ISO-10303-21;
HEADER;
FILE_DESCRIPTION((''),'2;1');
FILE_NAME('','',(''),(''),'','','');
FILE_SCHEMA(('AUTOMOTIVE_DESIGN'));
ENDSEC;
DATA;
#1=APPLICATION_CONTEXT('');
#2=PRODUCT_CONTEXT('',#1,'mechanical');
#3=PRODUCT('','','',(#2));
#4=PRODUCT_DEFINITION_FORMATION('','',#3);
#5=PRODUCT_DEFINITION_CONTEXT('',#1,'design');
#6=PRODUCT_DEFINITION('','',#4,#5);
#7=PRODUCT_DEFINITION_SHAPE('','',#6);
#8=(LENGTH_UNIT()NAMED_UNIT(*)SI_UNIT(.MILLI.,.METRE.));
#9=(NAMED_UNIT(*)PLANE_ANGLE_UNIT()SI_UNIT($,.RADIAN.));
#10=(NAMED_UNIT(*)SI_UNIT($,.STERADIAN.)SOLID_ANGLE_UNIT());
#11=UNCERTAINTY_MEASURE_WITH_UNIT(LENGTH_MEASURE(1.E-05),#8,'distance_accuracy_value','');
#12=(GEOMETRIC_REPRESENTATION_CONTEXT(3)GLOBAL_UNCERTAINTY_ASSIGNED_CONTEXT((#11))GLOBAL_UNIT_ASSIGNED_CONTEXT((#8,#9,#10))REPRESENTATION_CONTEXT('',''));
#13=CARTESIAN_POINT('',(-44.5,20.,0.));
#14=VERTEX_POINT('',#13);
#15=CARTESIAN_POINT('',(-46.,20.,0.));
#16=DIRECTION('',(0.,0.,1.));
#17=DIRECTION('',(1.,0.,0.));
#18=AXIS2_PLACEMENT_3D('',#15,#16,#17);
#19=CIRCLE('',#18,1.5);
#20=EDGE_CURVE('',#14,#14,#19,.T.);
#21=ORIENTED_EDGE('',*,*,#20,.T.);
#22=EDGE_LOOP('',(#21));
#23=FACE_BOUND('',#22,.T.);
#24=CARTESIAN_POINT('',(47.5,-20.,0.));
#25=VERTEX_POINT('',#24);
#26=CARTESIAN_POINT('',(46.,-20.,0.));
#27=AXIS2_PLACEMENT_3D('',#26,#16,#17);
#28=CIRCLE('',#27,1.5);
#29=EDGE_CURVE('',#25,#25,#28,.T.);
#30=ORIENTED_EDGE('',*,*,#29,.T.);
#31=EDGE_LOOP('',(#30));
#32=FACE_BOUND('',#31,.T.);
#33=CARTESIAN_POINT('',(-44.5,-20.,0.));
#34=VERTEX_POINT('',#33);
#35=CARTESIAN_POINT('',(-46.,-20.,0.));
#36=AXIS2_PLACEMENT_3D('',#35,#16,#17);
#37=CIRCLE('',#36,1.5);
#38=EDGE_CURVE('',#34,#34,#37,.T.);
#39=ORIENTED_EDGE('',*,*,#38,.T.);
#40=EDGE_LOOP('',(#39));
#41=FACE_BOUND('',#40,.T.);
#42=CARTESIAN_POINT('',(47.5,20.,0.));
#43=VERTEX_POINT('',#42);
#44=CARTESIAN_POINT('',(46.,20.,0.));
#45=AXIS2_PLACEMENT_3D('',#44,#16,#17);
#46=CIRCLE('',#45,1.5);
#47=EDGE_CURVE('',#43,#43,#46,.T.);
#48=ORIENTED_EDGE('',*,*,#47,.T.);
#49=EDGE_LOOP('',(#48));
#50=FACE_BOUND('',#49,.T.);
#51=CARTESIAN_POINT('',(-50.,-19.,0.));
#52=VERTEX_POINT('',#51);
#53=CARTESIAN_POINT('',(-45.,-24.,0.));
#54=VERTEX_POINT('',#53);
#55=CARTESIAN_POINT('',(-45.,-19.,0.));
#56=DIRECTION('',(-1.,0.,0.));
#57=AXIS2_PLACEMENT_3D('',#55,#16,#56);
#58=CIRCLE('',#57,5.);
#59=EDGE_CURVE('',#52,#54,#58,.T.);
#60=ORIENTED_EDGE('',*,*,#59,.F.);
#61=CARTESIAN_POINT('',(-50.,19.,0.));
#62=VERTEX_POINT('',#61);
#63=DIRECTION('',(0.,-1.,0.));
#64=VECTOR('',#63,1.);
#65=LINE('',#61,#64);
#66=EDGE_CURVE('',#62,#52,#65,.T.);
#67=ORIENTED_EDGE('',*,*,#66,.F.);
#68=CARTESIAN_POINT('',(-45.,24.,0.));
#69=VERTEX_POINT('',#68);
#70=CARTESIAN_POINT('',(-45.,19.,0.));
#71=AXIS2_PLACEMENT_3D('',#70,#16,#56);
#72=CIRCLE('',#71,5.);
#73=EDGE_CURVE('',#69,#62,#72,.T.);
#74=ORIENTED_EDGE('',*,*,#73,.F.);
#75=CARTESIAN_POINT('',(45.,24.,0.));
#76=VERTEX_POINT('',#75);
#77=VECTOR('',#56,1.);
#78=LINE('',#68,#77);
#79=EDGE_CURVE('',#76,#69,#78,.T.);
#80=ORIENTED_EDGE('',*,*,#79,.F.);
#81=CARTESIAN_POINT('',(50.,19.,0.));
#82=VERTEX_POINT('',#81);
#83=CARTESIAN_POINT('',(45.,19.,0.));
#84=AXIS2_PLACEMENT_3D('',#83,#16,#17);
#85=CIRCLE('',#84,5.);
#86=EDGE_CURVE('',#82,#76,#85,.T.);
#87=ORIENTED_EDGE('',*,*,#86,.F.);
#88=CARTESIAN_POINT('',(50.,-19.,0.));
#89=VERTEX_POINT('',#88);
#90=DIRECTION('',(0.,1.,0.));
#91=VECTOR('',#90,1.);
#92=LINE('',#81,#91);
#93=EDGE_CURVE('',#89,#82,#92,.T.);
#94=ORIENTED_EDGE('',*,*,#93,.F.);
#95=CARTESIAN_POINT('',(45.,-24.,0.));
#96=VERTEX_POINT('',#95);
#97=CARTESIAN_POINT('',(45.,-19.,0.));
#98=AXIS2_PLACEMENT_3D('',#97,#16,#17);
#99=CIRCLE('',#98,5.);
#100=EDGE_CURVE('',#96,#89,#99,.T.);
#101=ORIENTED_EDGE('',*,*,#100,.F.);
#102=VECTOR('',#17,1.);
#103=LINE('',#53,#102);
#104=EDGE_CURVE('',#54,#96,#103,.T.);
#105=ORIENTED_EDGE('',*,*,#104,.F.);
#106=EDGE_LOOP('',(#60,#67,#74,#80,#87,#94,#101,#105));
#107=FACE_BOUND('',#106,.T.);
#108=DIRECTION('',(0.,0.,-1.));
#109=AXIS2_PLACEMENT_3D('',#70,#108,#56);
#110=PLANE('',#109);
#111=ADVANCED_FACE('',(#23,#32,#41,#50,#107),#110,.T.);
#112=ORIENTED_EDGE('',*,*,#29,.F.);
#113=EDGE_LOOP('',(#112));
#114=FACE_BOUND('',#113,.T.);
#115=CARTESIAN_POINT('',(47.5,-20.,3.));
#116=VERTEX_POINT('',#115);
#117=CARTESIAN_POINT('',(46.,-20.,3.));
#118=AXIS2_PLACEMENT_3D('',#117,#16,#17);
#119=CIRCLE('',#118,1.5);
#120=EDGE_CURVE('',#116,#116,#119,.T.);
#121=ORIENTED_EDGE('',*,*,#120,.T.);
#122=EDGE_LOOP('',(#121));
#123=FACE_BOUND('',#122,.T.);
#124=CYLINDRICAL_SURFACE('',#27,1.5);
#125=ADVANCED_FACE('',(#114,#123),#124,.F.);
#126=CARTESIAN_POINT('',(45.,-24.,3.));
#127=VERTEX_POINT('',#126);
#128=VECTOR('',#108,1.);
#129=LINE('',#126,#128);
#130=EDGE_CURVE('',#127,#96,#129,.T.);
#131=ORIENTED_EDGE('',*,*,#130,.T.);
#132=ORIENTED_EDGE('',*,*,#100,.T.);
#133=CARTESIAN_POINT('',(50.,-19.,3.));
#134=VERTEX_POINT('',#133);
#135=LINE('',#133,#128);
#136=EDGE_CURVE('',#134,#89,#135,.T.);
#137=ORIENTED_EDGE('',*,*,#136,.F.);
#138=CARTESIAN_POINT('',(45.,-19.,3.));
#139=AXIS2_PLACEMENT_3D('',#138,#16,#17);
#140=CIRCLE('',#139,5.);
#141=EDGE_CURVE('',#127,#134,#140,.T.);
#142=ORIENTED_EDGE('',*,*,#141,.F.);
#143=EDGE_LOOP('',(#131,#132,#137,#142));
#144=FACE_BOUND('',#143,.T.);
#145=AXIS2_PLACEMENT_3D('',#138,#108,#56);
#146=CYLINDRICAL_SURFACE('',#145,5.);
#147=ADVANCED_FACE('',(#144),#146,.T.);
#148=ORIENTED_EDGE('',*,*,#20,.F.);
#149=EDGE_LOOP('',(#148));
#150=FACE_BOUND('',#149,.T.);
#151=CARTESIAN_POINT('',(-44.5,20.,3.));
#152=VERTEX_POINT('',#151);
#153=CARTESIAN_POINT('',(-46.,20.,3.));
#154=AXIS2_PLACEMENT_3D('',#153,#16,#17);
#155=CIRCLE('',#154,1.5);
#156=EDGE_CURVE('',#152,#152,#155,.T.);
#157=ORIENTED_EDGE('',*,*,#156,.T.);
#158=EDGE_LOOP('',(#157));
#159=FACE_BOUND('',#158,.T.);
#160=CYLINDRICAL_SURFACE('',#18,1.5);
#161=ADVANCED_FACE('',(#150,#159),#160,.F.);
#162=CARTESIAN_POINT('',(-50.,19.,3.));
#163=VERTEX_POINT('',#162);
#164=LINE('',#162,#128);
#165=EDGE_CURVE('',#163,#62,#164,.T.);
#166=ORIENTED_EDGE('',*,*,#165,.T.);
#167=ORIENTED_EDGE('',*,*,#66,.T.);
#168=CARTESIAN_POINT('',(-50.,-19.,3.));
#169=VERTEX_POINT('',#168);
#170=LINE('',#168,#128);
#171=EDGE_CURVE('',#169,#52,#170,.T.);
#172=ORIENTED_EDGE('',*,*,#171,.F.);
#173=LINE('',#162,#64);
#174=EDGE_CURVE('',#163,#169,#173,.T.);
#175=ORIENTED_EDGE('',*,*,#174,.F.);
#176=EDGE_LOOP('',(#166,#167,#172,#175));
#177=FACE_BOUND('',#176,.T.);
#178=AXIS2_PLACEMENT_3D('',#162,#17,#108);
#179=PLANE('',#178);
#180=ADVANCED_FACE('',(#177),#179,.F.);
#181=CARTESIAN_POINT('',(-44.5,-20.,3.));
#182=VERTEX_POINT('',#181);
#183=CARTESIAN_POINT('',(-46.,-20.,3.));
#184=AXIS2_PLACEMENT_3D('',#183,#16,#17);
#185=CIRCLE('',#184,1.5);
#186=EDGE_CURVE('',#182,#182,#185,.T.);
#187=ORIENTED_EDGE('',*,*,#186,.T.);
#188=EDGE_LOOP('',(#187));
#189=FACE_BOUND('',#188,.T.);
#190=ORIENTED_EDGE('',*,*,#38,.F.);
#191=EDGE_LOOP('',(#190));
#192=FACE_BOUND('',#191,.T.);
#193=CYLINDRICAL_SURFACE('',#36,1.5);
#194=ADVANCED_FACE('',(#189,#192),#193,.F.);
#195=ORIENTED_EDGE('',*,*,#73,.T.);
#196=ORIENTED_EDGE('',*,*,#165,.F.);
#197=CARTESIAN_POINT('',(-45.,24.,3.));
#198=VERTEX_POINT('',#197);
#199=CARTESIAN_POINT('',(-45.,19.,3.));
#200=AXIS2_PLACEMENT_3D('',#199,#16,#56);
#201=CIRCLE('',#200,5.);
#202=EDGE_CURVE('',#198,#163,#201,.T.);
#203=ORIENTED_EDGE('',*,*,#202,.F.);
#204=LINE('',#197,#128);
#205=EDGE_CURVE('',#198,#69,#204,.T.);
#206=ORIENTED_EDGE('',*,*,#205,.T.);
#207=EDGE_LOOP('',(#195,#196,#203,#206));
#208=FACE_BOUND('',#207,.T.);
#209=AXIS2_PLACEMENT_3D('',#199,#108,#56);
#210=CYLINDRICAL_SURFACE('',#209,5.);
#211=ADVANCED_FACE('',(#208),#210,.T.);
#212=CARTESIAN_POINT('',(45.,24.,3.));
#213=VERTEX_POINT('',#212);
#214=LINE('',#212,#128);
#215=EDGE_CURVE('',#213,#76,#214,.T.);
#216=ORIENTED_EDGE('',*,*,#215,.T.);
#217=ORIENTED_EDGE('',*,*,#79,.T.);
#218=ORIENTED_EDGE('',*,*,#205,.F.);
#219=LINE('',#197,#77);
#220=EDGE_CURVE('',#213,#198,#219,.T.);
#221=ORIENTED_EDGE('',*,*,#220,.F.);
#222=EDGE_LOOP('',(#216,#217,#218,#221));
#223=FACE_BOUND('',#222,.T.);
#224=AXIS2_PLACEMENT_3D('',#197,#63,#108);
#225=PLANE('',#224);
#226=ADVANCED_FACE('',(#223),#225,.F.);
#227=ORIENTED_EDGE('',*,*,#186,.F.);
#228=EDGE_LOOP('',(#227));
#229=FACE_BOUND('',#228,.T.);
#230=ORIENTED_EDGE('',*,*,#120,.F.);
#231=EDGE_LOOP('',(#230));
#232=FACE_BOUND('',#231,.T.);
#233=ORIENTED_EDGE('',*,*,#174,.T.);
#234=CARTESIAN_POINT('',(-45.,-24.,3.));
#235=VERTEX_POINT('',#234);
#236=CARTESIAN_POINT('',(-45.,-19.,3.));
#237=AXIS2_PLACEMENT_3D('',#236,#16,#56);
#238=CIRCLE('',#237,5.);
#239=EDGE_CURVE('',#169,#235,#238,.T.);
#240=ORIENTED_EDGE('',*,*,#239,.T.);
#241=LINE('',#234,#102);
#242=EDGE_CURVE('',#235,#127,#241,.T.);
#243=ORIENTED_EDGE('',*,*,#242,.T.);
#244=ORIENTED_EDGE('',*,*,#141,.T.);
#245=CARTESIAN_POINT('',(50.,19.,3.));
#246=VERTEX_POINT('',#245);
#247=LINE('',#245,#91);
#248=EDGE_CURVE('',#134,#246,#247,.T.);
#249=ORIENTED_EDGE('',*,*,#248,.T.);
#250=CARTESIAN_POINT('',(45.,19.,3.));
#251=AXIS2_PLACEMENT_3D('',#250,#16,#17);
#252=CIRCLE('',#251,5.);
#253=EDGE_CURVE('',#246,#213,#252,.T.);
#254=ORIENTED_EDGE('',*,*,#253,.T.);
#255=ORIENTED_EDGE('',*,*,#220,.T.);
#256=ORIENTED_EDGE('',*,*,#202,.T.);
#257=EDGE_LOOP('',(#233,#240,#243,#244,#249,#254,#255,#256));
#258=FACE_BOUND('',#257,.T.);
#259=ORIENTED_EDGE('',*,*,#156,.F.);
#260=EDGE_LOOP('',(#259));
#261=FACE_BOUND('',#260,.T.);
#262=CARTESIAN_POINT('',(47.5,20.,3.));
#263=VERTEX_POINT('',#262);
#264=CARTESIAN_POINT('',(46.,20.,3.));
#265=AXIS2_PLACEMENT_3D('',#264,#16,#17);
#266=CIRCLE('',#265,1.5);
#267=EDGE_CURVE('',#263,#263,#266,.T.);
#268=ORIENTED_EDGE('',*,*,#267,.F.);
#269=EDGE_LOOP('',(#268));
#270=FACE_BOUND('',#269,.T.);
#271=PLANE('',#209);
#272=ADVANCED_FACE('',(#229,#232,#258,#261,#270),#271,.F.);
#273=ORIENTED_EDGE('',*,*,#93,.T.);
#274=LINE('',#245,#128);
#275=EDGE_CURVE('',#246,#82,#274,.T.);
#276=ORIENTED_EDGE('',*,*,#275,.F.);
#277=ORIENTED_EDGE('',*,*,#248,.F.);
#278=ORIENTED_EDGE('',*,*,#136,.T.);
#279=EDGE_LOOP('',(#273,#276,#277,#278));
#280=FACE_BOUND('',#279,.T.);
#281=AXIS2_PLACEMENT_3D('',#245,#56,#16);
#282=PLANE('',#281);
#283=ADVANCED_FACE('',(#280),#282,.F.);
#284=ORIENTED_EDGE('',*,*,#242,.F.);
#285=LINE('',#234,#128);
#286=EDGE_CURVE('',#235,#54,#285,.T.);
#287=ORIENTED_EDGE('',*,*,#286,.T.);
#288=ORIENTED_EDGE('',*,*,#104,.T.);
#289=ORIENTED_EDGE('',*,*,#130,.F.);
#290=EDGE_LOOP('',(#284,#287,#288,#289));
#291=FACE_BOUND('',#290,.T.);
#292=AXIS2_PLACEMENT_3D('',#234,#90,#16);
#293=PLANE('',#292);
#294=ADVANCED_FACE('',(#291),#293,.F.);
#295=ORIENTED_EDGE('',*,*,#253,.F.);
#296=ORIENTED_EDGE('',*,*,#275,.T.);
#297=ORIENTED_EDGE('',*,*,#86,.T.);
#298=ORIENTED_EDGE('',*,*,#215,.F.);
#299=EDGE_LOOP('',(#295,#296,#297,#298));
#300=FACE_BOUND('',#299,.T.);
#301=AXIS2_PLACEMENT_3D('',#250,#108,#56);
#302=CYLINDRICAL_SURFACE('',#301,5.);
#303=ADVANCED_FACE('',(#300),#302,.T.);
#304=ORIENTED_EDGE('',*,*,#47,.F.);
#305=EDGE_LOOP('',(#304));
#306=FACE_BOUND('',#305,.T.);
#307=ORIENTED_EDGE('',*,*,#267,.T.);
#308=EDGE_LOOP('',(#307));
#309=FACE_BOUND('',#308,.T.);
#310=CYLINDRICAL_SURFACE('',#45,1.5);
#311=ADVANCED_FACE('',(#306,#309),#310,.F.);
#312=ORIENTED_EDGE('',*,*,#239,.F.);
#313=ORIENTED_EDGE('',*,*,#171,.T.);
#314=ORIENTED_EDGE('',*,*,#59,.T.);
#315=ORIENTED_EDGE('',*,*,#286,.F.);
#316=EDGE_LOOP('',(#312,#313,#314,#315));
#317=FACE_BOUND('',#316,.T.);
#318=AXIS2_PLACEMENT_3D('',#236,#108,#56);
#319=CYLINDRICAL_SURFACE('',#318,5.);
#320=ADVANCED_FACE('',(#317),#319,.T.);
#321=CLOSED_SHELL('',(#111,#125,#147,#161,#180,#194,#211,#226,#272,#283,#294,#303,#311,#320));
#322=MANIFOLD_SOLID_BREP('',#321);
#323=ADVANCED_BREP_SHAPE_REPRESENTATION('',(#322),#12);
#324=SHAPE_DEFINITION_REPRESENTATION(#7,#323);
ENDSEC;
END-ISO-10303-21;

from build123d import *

# Parameters (mm, degrees)
EXTRUDE_1_DEPTH     = 3
SKETCH_2_R          = 1.5
CUT_EXTRUDE_1_DEPTH = 3


with BuildPart() as part:
    # 草图1 → 凸台-拉伸1 (new body)
    with BuildSketch(Plane.XY):
        with BuildLine():
            Line((-45, 24), (45, 24))
            ThreePointArc((45, 24), (48.535533906, 22.535533906), (50, 19))
            Line((50, 19), (50, -19))
            ThreePointArc((50, -19), (48.535533906, -22.535533906), (45, -24))
            Line((45, -24), (-45, -24))
            ThreePointArc((-45, -24), (-48.535533906, -22.535533906), (-50, -19))
            Line((-50, -19), (-50, 19))
            ThreePointArc((-50, 19), (-48.535533906, 22.535533906), (-45, 24))
        make_face()
    extrude(amount=EXTRUDE_1_DEPTH)

    # 草图2 → 切除-拉伸1 (cut)
    with BuildSketch(Plane.XY.offset(3)):
        with Locations((-46, 20)):
            Circle(SKETCH_2_R)
        with Locations((46, 20)):
            Circle(SKETCH_2_R)
        with Locations((-46, -20)):
            Circle(SKETCH_2_R)
        with Locations((46, -20)):
            Circle(SKETCH_2_R)
    extrude(amount=-CUT_EXTRUDE_1_DEPTH, mode=Mode.SUBTRACT)


solid = part.part
